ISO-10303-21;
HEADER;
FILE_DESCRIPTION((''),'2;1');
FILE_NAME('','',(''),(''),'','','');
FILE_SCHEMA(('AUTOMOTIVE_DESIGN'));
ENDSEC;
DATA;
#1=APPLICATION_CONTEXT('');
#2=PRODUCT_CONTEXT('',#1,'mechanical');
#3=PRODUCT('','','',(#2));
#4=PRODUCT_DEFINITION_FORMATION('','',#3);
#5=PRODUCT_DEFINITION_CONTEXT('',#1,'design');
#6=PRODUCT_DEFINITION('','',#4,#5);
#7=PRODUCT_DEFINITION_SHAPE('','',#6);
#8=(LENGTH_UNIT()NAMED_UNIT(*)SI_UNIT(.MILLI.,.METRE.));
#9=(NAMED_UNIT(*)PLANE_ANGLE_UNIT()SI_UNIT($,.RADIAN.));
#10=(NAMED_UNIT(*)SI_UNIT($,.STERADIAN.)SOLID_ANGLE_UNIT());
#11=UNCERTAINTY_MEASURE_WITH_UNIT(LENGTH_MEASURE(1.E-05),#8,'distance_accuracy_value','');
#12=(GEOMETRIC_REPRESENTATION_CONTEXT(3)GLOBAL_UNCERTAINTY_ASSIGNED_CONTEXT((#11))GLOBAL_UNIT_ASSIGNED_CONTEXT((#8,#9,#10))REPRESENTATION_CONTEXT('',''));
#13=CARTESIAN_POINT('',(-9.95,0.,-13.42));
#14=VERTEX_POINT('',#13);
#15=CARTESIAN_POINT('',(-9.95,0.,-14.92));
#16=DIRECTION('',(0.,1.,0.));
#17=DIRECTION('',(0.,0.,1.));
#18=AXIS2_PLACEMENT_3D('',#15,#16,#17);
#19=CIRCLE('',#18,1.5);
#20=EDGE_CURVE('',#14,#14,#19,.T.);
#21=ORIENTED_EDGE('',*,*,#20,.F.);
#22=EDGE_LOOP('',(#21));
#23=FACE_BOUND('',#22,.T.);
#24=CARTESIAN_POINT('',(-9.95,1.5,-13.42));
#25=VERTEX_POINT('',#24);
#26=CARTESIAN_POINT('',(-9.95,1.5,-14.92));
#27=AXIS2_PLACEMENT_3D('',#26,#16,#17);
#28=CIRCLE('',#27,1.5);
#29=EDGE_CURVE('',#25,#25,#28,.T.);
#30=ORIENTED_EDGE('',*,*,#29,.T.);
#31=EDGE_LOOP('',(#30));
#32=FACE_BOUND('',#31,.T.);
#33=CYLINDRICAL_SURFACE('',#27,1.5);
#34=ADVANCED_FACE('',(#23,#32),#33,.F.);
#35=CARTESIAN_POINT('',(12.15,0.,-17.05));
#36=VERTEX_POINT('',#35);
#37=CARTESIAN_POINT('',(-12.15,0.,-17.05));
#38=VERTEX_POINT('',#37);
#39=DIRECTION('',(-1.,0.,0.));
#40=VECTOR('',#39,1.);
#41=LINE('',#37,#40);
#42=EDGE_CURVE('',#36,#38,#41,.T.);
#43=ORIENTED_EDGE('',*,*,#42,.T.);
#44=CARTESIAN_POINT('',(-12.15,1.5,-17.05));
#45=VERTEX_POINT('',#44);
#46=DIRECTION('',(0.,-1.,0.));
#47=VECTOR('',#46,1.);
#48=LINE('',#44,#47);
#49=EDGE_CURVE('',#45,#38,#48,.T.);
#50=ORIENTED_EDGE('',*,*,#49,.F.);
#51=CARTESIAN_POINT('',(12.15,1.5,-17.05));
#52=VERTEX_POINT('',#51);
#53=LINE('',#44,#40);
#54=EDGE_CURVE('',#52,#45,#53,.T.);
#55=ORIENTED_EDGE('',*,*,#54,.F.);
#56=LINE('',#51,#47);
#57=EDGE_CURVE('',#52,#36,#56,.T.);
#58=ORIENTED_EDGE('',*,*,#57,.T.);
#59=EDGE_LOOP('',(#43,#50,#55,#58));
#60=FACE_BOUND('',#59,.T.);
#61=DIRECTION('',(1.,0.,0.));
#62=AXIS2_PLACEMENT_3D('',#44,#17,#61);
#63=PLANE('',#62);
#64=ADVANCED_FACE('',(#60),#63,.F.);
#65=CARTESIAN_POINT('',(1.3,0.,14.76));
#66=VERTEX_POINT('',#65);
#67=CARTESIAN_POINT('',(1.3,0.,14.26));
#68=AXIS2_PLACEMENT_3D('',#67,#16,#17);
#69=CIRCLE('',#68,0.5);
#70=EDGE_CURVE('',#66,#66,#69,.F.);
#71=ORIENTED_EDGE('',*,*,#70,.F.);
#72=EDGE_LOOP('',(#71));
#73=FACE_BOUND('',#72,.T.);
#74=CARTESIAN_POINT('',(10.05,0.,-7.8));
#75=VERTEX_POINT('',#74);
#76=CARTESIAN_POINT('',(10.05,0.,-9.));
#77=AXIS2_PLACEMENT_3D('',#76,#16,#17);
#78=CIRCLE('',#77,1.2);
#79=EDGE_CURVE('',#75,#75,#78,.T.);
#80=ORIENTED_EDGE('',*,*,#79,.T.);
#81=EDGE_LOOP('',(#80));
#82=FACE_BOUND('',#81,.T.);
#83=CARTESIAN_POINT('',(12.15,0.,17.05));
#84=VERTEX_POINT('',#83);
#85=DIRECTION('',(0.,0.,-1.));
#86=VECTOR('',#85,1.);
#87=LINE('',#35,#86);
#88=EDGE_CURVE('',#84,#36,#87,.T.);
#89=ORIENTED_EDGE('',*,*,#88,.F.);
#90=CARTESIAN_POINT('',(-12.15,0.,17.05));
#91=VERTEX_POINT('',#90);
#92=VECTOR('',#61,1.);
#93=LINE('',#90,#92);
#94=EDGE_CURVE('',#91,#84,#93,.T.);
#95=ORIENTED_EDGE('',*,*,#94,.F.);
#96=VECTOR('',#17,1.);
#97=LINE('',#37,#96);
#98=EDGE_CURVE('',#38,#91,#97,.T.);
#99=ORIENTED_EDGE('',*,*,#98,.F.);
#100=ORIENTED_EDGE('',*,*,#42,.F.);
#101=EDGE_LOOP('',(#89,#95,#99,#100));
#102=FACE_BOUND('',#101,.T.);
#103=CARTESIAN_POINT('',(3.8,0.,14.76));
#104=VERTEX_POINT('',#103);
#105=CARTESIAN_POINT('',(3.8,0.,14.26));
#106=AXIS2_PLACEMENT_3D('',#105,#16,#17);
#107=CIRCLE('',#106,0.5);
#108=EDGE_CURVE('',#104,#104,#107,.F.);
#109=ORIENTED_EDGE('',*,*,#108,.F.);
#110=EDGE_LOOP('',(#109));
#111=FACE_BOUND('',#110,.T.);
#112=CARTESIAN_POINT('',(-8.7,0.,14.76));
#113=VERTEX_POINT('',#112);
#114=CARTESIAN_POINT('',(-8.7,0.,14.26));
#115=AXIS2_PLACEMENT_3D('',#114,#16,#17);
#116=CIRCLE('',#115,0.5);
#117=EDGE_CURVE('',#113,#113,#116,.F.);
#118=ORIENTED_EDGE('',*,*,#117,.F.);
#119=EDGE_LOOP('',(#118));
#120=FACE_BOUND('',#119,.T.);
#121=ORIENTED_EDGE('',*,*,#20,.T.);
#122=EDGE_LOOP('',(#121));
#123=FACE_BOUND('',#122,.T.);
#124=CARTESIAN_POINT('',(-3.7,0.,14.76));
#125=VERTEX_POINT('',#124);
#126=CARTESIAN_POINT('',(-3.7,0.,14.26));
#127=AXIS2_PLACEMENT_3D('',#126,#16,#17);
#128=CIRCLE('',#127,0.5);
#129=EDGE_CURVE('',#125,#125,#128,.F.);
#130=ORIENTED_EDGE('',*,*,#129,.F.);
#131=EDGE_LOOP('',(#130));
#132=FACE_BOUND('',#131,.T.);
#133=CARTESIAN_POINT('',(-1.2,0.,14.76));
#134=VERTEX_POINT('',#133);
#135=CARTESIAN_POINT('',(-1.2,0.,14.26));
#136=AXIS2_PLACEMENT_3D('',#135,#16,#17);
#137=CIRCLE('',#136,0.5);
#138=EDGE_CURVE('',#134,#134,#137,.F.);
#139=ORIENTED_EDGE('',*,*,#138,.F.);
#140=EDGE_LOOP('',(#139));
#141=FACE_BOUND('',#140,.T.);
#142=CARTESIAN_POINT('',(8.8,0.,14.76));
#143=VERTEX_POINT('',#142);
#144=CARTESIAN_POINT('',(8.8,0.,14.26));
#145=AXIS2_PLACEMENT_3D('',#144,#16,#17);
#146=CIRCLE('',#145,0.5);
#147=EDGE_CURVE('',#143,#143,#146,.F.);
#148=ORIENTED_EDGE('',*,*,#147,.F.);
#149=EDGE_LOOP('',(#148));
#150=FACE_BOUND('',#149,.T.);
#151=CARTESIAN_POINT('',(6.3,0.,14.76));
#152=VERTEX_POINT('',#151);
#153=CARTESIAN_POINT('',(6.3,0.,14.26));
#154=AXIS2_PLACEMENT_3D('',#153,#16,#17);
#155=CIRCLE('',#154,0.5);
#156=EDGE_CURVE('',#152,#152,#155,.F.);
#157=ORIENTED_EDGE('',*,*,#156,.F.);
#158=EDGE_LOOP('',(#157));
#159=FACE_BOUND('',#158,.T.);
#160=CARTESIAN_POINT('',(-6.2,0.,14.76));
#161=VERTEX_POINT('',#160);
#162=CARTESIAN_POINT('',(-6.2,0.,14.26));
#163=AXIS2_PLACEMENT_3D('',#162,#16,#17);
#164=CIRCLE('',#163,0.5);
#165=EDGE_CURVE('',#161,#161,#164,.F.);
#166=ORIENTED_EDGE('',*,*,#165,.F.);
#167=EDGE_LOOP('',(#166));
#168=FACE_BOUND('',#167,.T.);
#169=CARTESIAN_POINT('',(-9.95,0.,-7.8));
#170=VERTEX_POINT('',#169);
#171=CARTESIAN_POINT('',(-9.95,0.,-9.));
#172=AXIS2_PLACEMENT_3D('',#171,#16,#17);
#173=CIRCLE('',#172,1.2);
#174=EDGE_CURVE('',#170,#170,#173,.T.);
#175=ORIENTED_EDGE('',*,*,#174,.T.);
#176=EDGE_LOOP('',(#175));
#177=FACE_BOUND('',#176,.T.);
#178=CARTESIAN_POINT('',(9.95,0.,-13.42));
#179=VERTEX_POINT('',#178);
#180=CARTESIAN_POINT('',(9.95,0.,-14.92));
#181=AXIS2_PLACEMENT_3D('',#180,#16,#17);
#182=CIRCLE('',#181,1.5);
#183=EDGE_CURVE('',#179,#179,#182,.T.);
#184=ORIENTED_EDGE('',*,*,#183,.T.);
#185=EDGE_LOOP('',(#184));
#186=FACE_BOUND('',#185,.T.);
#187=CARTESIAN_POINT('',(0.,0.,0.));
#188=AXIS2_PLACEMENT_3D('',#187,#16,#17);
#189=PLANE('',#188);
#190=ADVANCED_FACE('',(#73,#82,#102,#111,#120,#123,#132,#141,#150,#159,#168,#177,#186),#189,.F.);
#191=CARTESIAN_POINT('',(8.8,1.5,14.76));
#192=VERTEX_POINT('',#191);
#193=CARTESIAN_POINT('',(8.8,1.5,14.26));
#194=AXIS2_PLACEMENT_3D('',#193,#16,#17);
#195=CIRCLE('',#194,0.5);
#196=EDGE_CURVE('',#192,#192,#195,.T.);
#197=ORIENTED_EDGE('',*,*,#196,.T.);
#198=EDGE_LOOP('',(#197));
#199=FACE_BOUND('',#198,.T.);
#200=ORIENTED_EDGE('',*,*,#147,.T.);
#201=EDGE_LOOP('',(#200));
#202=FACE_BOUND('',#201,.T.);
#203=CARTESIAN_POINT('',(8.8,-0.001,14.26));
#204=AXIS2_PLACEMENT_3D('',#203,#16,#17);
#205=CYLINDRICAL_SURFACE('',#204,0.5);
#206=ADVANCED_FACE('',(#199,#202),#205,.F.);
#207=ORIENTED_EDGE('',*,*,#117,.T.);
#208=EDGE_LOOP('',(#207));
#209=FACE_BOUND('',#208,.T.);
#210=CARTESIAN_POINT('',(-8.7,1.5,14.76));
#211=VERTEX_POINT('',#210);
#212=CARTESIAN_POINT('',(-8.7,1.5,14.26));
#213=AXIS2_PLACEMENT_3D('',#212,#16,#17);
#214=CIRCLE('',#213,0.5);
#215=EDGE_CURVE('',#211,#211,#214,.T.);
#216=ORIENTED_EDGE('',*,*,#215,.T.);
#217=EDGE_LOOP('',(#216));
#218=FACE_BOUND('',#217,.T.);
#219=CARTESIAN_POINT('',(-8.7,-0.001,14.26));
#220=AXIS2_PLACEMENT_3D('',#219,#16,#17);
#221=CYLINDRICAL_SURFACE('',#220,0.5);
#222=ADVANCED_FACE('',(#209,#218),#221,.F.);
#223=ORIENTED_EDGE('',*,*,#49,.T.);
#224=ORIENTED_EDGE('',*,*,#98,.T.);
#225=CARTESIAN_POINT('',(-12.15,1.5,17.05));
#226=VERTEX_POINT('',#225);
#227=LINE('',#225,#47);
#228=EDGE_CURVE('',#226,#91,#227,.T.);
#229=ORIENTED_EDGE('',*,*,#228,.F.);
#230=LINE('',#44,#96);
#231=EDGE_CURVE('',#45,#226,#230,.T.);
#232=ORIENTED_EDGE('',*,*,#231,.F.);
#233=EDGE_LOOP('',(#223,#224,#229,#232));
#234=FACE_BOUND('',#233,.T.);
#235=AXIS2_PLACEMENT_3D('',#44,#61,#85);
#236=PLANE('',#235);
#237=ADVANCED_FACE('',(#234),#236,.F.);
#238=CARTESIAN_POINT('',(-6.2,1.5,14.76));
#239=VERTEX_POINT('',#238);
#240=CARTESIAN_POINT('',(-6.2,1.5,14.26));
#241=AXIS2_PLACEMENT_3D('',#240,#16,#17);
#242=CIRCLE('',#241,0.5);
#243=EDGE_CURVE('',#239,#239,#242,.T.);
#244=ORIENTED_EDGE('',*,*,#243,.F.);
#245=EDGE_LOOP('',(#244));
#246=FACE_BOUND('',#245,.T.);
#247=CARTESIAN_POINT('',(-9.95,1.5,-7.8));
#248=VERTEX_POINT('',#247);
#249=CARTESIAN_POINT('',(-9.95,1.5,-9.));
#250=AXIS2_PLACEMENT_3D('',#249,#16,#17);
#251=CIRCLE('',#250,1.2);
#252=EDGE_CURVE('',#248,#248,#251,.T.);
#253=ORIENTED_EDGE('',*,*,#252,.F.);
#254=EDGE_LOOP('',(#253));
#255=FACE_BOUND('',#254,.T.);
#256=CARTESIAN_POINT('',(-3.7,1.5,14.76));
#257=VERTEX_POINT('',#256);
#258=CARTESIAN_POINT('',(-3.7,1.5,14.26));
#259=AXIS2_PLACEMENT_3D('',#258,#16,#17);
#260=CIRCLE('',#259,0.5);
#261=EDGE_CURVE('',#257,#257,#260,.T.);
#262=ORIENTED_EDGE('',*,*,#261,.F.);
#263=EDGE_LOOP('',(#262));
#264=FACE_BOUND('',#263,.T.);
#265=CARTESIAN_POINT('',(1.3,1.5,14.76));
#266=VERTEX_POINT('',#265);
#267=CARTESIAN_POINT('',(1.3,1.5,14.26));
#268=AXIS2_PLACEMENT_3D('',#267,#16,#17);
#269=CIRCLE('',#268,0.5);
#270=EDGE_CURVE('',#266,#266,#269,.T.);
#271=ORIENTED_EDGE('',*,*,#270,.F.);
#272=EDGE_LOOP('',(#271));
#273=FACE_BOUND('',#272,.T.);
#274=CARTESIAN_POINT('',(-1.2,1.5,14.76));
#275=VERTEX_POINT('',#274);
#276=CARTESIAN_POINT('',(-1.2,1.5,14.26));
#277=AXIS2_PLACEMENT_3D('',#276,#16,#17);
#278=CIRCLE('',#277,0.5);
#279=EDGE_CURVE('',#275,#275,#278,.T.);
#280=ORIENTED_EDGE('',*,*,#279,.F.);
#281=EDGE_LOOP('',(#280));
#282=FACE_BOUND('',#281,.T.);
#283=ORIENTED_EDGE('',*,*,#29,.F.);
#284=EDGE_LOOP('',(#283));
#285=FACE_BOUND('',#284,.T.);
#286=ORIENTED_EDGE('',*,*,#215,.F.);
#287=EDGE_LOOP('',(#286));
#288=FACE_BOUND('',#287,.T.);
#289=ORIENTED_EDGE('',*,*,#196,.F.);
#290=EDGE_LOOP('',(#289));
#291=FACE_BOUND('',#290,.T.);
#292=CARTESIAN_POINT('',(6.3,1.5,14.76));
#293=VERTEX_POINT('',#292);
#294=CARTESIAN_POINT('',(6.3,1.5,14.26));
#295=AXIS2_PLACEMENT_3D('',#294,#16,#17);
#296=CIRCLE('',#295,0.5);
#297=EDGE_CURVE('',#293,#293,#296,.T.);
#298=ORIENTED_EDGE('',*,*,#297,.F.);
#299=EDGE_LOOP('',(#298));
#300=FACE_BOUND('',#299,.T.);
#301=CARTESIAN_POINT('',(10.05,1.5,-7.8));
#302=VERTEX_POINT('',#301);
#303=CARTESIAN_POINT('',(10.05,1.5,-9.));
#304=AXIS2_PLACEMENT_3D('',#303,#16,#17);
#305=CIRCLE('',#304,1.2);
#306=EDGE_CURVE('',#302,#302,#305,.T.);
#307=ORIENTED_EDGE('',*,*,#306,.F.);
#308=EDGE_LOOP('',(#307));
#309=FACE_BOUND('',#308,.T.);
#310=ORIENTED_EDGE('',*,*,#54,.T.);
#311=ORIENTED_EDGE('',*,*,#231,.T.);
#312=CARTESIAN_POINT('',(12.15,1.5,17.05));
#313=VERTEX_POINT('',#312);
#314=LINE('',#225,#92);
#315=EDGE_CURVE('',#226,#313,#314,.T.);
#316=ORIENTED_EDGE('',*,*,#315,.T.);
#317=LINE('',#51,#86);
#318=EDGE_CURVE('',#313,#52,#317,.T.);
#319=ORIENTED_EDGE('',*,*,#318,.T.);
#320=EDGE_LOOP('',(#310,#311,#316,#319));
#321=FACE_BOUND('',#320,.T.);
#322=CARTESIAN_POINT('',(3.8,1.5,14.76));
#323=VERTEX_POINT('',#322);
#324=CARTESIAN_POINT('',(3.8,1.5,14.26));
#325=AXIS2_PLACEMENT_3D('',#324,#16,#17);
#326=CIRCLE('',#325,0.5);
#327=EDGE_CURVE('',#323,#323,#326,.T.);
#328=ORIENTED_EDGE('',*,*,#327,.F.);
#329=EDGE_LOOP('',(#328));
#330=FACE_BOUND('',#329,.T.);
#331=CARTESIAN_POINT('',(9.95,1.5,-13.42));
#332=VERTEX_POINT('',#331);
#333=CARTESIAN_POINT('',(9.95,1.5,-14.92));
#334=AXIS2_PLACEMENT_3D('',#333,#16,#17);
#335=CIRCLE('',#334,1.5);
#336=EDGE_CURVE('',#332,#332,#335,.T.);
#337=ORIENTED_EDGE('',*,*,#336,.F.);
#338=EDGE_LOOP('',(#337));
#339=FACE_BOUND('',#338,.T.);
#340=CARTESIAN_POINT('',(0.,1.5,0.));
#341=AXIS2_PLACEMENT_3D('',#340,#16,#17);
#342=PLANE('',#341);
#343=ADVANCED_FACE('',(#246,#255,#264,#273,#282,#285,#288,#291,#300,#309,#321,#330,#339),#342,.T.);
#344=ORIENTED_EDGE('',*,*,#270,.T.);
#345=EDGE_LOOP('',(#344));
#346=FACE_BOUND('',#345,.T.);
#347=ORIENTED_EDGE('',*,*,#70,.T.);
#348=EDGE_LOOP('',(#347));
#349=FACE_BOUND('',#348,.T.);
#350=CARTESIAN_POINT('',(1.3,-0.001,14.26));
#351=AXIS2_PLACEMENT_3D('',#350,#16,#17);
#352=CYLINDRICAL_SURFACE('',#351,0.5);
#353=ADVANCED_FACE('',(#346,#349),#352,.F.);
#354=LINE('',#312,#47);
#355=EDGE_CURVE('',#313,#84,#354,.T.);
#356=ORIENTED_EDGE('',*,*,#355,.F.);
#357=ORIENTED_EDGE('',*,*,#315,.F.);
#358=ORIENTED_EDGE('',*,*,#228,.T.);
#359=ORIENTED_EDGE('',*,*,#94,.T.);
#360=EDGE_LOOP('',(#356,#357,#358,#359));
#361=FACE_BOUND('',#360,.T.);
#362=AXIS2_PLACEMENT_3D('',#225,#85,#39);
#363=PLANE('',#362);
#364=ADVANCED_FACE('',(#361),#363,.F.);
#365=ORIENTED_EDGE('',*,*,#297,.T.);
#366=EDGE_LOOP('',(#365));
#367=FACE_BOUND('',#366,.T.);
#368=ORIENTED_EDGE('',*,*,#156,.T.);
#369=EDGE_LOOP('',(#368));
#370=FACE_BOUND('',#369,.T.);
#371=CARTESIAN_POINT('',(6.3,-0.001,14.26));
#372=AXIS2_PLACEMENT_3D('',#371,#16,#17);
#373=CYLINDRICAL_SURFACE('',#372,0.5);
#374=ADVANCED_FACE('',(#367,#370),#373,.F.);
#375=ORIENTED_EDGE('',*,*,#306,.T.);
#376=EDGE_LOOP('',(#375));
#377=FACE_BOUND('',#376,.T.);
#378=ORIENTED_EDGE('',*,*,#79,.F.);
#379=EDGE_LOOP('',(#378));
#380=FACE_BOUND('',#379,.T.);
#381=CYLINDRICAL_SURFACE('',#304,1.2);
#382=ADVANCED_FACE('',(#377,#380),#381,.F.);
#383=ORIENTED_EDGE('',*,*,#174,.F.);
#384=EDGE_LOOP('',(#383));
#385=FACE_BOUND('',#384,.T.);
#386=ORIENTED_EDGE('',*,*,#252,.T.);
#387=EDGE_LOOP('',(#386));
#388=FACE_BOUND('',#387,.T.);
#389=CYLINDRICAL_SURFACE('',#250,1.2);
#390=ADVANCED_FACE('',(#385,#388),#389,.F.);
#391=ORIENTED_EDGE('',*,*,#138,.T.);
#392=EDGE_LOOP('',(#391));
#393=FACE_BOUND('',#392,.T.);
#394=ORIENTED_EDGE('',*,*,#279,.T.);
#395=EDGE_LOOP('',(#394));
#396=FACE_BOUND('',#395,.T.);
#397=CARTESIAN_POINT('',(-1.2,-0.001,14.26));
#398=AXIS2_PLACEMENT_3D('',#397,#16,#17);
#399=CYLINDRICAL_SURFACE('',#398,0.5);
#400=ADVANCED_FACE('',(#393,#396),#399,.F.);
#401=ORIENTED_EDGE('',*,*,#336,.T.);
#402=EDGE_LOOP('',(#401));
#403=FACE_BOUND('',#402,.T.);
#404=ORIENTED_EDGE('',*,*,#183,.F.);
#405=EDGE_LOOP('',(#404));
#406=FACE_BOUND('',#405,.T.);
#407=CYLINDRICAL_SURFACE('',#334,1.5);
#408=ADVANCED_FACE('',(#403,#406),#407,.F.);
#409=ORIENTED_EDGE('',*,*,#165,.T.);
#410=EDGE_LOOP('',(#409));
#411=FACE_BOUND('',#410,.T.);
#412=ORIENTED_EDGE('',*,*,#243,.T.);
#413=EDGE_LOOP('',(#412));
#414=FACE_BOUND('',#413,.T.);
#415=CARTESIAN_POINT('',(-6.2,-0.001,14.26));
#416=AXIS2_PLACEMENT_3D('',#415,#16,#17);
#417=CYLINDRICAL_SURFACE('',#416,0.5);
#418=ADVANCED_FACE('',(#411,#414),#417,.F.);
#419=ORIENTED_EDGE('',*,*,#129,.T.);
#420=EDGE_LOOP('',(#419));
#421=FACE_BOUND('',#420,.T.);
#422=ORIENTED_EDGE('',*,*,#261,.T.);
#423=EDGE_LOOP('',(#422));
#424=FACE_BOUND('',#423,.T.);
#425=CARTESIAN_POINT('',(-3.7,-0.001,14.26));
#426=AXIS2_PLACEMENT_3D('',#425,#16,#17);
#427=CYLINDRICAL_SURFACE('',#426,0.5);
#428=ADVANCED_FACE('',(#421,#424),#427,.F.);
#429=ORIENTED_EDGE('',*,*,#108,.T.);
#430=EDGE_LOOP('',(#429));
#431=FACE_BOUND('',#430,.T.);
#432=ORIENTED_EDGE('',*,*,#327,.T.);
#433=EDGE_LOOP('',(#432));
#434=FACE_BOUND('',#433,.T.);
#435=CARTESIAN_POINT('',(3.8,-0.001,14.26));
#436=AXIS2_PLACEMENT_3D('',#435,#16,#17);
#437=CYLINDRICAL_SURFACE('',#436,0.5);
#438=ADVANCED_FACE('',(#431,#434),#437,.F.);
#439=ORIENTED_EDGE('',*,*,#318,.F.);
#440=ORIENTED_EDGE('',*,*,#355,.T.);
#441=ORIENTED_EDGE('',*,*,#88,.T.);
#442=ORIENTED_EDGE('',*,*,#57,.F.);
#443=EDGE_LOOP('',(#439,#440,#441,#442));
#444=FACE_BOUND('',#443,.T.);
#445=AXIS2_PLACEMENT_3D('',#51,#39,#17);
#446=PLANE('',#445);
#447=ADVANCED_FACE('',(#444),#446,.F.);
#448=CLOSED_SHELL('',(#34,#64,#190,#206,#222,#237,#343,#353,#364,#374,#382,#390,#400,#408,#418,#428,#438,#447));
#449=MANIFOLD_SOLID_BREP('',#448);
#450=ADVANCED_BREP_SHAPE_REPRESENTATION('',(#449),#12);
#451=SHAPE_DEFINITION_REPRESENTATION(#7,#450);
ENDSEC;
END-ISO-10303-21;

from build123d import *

# Parameters (mm, degrees)
SKETCH1_W             = 24.3
SKETCH1_H             = 34.1
BOSS_EXTRUDE1_DEPTH   = 1.5
F_3_0MM_DOWEL_HOLE1_D = 3
M2_CLEARANCE_HOLE1_D  = 2.4
CUT_EXTRUDE1_REACH    = 3.5
SKETCH9_R             = 0.5


with BuildPart() as part:
    # Sketch1 → Boss-Extrude1 (new body)
    with BuildSketch(Plane(origin=(0, 0, 0), x_dir=(1, 0, 0), z_dir=(0, 1, 0))):
        Rectangle(SKETCH1_W, SKETCH1_H)
    extrude(amount=BOSS_EXTRUDE1_DEPTH)

    # Ø3.0mm Dowel Hole1 (through all)
    with Locations(Plane(origin=(0, 1.5, 0), x_dir=(1, 0, 0), z_dir=(0, 1, 0))):
        with Locations((-9.95, 14.92), (9.95, 14.92)):
            Hole(F_3_0MM_DOWEL_HOLE1_D / 2)

    # M2 Clearance Hole1 (through all)
    with Locations(Plane(origin=(0, 1.5, 0), x_dir=(1, 0, 0), z_dir=(0, 1, 0))):
        with Locations((-9.95, 9), (10.05, 9)):
            Hole(M2_CLEARANCE_HOLE1_D / 2)

    # Sketch9 → Cut-Extrude1 (cut, up to next)
    with BuildSketch(Plane(origin=(0, 1.5, 0), x_dir=(1, 0, 0), z_dir=(0, 1, 0)), mode=Mode.PRIVATE) as cut_extrude1_sk1:
        with Locations((-8.7, -14.26)):
            Circle(SKETCH9_R)
    cut_extrude1_tool1 = extrude(cut_extrude1_sk1.sketch, amount=-CUT_EXTRUDE1_REACH, mode=Mode.PRIVATE) & part.part
    add(cut_extrude1_tool1.solids().sort_by_distance((-8.7, 1.5, 14.26))[0], mode=Mode.SUBTRACT)
    # Sketch9 → Cut-Extrude1 (cut, up to next)
    with BuildSketch(Plane(origin=(0, 1.5, 0), x_dir=(1, 0, 0), z_dir=(0, 1, 0)), mode=Mode.PRIVATE) as cut_extrude1_sk2:
        with Locations((-6.2, -14.26)):
            Circle(SKETCH9_R)
    cut_extrude1_tool2 = extrude(cut_extrude1_sk2.sketch, amount=-CUT_EXTRUDE1_REACH, mode=Mode.PRIVATE) & part.part
    add(cut_extrude1_tool2.solids().sort_by_distance((-6.2, 1.5, 14.26))[0], mode=Mode.SUBTRACT)
    # Sketch9 → Cut-Extrude1 (cut, up to next)
    with BuildSketch(Plane(origin=(0, 1.5, 0), x_dir=(1, 0, 0), z_dir=(0, 1, 0)), mode=Mode.PRIVATE) as cut_extrude1_sk3:
        with Locations((-3.7, -14.26)):
            Circle(SKETCH9_R)
    cut_extrude1_tool3 = extrude(cut_extrude1_sk3.sketch, amount=-CUT_EXTRUDE1_REACH, mode=Mode.PRIVATE) & part.part
    add(cut_extrude1_tool3.solids().sort_by_distance((-3.7, 1.5, 14.26))[0], mode=Mode.SUBTRACT)
    # Sketch9 → Cut-Extrude1 (cut, up to next)
    with BuildSketch(Plane(origin=(0, 1.5, 0), x_dir=(1, 0, 0), z_dir=(0, 1, 0)), mode=Mode.PRIVATE) as cut_extrude1_sk4:
        with Locations((-1.2, -14.26)):
            Circle(SKETCH9_R)
    cut_extrude1_tool4 = extrude(cut_extrude1_sk4.sketch, amount=-CUT_EXTRUDE1_REACH, mode=Mode.PRIVATE) & part.part
    add(cut_extrude1_tool4.solids().sort_by_distance((-1.2, 1.5, 14.26))[0], mode=Mode.SUBTRACT)
    # Sketch9 → Cut-Extrude1 (cut, up to next)
    with BuildSketch(Plane(origin=(0, 1.5, 0), x_dir=(1, 0, 0), z_dir=(0, 1, 0)), mode=Mode.PRIVATE) as cut_extrude1_sk5:
        with Locations((1.3, -14.26)):
            Circle(SKETCH9_R)
    cut_extrude1_tool5 = extrude(cut_extrude1_sk5.sketch, amount=-CUT_EXTRUDE1_REACH, mode=Mode.PRIVATE) & part.part
    add(cut_extrude1_tool5.solids().sort_by_distance((1.3, 1.5, 14.26))[0], mode=Mode.SUBTRACT)
    # Sketch9 → Cut-Extrude1 (cut, up to next)
    with BuildSketch(Plane(origin=(0, 1.5, 0), x_dir=(1, 0, 0), z_dir=(0, 1, 0)), mode=Mode.PRIVATE) as cut_extrude1_sk6:
        with Locations((3.8, -14.26)):
            Circle(SKETCH9_R)
    cut_extrude1_tool6 = extrude(cut_extrude1_sk6.sketch, amount=-CUT_EXTRUDE1_REACH, mode=Mode.PRIVATE) & part.part
    add(cut_extrude1_tool6.solids().sort_by_distance((3.8, 1.5, 14.26))[0], mode=Mode.SUBTRACT)
    # Sketch9 → Cut-Extrude1 (cut, up to next)
    with BuildSketch(Plane(origin=(0, 1.5, 0), x_dir=(1, 0, 0), z_dir=(0, 1, 0)), mode=Mode.PRIVATE) as cut_extrude1_sk7:
        with Locations((6.3, -14.26)):
            Circle(SKETCH9_R)
    cut_extrude1_tool7 = extrude(cut_extrude1_sk7.sketch, amount=-CUT_EXTRUDE1_REACH, mode=Mode.PRIVATE) & part.part
    add(cut_extrude1_tool7.solids().sort_by_distance((6.3, 1.5, 14.26))[0], mode=Mode.SUBTRACT)
    # Sketch9 → Cut-Extrude1 (cut, up to next)
    with BuildSketch(Plane(origin=(0, 1.5, 0), x_dir=(1, 0, 0), z_dir=(0, 1, 0)), mode=Mode.PRIVATE) as cut_extrude1_sk8:
        with Locations((8.8, -14.26)):
            Circle(SKETCH9_R)
    cut_extrude1_tool8 = extrude(cut_extrude1_sk8.sketch, amount=-CUT_EXTRUDE1_REACH, mode=Mode.PRIVATE) & part.part
    add(cut_extrude1_tool8.solids().sort_by_distance((8.8, 1.5, 14.26))[0], mode=Mode.SUBTRACT)


solid = part.part
